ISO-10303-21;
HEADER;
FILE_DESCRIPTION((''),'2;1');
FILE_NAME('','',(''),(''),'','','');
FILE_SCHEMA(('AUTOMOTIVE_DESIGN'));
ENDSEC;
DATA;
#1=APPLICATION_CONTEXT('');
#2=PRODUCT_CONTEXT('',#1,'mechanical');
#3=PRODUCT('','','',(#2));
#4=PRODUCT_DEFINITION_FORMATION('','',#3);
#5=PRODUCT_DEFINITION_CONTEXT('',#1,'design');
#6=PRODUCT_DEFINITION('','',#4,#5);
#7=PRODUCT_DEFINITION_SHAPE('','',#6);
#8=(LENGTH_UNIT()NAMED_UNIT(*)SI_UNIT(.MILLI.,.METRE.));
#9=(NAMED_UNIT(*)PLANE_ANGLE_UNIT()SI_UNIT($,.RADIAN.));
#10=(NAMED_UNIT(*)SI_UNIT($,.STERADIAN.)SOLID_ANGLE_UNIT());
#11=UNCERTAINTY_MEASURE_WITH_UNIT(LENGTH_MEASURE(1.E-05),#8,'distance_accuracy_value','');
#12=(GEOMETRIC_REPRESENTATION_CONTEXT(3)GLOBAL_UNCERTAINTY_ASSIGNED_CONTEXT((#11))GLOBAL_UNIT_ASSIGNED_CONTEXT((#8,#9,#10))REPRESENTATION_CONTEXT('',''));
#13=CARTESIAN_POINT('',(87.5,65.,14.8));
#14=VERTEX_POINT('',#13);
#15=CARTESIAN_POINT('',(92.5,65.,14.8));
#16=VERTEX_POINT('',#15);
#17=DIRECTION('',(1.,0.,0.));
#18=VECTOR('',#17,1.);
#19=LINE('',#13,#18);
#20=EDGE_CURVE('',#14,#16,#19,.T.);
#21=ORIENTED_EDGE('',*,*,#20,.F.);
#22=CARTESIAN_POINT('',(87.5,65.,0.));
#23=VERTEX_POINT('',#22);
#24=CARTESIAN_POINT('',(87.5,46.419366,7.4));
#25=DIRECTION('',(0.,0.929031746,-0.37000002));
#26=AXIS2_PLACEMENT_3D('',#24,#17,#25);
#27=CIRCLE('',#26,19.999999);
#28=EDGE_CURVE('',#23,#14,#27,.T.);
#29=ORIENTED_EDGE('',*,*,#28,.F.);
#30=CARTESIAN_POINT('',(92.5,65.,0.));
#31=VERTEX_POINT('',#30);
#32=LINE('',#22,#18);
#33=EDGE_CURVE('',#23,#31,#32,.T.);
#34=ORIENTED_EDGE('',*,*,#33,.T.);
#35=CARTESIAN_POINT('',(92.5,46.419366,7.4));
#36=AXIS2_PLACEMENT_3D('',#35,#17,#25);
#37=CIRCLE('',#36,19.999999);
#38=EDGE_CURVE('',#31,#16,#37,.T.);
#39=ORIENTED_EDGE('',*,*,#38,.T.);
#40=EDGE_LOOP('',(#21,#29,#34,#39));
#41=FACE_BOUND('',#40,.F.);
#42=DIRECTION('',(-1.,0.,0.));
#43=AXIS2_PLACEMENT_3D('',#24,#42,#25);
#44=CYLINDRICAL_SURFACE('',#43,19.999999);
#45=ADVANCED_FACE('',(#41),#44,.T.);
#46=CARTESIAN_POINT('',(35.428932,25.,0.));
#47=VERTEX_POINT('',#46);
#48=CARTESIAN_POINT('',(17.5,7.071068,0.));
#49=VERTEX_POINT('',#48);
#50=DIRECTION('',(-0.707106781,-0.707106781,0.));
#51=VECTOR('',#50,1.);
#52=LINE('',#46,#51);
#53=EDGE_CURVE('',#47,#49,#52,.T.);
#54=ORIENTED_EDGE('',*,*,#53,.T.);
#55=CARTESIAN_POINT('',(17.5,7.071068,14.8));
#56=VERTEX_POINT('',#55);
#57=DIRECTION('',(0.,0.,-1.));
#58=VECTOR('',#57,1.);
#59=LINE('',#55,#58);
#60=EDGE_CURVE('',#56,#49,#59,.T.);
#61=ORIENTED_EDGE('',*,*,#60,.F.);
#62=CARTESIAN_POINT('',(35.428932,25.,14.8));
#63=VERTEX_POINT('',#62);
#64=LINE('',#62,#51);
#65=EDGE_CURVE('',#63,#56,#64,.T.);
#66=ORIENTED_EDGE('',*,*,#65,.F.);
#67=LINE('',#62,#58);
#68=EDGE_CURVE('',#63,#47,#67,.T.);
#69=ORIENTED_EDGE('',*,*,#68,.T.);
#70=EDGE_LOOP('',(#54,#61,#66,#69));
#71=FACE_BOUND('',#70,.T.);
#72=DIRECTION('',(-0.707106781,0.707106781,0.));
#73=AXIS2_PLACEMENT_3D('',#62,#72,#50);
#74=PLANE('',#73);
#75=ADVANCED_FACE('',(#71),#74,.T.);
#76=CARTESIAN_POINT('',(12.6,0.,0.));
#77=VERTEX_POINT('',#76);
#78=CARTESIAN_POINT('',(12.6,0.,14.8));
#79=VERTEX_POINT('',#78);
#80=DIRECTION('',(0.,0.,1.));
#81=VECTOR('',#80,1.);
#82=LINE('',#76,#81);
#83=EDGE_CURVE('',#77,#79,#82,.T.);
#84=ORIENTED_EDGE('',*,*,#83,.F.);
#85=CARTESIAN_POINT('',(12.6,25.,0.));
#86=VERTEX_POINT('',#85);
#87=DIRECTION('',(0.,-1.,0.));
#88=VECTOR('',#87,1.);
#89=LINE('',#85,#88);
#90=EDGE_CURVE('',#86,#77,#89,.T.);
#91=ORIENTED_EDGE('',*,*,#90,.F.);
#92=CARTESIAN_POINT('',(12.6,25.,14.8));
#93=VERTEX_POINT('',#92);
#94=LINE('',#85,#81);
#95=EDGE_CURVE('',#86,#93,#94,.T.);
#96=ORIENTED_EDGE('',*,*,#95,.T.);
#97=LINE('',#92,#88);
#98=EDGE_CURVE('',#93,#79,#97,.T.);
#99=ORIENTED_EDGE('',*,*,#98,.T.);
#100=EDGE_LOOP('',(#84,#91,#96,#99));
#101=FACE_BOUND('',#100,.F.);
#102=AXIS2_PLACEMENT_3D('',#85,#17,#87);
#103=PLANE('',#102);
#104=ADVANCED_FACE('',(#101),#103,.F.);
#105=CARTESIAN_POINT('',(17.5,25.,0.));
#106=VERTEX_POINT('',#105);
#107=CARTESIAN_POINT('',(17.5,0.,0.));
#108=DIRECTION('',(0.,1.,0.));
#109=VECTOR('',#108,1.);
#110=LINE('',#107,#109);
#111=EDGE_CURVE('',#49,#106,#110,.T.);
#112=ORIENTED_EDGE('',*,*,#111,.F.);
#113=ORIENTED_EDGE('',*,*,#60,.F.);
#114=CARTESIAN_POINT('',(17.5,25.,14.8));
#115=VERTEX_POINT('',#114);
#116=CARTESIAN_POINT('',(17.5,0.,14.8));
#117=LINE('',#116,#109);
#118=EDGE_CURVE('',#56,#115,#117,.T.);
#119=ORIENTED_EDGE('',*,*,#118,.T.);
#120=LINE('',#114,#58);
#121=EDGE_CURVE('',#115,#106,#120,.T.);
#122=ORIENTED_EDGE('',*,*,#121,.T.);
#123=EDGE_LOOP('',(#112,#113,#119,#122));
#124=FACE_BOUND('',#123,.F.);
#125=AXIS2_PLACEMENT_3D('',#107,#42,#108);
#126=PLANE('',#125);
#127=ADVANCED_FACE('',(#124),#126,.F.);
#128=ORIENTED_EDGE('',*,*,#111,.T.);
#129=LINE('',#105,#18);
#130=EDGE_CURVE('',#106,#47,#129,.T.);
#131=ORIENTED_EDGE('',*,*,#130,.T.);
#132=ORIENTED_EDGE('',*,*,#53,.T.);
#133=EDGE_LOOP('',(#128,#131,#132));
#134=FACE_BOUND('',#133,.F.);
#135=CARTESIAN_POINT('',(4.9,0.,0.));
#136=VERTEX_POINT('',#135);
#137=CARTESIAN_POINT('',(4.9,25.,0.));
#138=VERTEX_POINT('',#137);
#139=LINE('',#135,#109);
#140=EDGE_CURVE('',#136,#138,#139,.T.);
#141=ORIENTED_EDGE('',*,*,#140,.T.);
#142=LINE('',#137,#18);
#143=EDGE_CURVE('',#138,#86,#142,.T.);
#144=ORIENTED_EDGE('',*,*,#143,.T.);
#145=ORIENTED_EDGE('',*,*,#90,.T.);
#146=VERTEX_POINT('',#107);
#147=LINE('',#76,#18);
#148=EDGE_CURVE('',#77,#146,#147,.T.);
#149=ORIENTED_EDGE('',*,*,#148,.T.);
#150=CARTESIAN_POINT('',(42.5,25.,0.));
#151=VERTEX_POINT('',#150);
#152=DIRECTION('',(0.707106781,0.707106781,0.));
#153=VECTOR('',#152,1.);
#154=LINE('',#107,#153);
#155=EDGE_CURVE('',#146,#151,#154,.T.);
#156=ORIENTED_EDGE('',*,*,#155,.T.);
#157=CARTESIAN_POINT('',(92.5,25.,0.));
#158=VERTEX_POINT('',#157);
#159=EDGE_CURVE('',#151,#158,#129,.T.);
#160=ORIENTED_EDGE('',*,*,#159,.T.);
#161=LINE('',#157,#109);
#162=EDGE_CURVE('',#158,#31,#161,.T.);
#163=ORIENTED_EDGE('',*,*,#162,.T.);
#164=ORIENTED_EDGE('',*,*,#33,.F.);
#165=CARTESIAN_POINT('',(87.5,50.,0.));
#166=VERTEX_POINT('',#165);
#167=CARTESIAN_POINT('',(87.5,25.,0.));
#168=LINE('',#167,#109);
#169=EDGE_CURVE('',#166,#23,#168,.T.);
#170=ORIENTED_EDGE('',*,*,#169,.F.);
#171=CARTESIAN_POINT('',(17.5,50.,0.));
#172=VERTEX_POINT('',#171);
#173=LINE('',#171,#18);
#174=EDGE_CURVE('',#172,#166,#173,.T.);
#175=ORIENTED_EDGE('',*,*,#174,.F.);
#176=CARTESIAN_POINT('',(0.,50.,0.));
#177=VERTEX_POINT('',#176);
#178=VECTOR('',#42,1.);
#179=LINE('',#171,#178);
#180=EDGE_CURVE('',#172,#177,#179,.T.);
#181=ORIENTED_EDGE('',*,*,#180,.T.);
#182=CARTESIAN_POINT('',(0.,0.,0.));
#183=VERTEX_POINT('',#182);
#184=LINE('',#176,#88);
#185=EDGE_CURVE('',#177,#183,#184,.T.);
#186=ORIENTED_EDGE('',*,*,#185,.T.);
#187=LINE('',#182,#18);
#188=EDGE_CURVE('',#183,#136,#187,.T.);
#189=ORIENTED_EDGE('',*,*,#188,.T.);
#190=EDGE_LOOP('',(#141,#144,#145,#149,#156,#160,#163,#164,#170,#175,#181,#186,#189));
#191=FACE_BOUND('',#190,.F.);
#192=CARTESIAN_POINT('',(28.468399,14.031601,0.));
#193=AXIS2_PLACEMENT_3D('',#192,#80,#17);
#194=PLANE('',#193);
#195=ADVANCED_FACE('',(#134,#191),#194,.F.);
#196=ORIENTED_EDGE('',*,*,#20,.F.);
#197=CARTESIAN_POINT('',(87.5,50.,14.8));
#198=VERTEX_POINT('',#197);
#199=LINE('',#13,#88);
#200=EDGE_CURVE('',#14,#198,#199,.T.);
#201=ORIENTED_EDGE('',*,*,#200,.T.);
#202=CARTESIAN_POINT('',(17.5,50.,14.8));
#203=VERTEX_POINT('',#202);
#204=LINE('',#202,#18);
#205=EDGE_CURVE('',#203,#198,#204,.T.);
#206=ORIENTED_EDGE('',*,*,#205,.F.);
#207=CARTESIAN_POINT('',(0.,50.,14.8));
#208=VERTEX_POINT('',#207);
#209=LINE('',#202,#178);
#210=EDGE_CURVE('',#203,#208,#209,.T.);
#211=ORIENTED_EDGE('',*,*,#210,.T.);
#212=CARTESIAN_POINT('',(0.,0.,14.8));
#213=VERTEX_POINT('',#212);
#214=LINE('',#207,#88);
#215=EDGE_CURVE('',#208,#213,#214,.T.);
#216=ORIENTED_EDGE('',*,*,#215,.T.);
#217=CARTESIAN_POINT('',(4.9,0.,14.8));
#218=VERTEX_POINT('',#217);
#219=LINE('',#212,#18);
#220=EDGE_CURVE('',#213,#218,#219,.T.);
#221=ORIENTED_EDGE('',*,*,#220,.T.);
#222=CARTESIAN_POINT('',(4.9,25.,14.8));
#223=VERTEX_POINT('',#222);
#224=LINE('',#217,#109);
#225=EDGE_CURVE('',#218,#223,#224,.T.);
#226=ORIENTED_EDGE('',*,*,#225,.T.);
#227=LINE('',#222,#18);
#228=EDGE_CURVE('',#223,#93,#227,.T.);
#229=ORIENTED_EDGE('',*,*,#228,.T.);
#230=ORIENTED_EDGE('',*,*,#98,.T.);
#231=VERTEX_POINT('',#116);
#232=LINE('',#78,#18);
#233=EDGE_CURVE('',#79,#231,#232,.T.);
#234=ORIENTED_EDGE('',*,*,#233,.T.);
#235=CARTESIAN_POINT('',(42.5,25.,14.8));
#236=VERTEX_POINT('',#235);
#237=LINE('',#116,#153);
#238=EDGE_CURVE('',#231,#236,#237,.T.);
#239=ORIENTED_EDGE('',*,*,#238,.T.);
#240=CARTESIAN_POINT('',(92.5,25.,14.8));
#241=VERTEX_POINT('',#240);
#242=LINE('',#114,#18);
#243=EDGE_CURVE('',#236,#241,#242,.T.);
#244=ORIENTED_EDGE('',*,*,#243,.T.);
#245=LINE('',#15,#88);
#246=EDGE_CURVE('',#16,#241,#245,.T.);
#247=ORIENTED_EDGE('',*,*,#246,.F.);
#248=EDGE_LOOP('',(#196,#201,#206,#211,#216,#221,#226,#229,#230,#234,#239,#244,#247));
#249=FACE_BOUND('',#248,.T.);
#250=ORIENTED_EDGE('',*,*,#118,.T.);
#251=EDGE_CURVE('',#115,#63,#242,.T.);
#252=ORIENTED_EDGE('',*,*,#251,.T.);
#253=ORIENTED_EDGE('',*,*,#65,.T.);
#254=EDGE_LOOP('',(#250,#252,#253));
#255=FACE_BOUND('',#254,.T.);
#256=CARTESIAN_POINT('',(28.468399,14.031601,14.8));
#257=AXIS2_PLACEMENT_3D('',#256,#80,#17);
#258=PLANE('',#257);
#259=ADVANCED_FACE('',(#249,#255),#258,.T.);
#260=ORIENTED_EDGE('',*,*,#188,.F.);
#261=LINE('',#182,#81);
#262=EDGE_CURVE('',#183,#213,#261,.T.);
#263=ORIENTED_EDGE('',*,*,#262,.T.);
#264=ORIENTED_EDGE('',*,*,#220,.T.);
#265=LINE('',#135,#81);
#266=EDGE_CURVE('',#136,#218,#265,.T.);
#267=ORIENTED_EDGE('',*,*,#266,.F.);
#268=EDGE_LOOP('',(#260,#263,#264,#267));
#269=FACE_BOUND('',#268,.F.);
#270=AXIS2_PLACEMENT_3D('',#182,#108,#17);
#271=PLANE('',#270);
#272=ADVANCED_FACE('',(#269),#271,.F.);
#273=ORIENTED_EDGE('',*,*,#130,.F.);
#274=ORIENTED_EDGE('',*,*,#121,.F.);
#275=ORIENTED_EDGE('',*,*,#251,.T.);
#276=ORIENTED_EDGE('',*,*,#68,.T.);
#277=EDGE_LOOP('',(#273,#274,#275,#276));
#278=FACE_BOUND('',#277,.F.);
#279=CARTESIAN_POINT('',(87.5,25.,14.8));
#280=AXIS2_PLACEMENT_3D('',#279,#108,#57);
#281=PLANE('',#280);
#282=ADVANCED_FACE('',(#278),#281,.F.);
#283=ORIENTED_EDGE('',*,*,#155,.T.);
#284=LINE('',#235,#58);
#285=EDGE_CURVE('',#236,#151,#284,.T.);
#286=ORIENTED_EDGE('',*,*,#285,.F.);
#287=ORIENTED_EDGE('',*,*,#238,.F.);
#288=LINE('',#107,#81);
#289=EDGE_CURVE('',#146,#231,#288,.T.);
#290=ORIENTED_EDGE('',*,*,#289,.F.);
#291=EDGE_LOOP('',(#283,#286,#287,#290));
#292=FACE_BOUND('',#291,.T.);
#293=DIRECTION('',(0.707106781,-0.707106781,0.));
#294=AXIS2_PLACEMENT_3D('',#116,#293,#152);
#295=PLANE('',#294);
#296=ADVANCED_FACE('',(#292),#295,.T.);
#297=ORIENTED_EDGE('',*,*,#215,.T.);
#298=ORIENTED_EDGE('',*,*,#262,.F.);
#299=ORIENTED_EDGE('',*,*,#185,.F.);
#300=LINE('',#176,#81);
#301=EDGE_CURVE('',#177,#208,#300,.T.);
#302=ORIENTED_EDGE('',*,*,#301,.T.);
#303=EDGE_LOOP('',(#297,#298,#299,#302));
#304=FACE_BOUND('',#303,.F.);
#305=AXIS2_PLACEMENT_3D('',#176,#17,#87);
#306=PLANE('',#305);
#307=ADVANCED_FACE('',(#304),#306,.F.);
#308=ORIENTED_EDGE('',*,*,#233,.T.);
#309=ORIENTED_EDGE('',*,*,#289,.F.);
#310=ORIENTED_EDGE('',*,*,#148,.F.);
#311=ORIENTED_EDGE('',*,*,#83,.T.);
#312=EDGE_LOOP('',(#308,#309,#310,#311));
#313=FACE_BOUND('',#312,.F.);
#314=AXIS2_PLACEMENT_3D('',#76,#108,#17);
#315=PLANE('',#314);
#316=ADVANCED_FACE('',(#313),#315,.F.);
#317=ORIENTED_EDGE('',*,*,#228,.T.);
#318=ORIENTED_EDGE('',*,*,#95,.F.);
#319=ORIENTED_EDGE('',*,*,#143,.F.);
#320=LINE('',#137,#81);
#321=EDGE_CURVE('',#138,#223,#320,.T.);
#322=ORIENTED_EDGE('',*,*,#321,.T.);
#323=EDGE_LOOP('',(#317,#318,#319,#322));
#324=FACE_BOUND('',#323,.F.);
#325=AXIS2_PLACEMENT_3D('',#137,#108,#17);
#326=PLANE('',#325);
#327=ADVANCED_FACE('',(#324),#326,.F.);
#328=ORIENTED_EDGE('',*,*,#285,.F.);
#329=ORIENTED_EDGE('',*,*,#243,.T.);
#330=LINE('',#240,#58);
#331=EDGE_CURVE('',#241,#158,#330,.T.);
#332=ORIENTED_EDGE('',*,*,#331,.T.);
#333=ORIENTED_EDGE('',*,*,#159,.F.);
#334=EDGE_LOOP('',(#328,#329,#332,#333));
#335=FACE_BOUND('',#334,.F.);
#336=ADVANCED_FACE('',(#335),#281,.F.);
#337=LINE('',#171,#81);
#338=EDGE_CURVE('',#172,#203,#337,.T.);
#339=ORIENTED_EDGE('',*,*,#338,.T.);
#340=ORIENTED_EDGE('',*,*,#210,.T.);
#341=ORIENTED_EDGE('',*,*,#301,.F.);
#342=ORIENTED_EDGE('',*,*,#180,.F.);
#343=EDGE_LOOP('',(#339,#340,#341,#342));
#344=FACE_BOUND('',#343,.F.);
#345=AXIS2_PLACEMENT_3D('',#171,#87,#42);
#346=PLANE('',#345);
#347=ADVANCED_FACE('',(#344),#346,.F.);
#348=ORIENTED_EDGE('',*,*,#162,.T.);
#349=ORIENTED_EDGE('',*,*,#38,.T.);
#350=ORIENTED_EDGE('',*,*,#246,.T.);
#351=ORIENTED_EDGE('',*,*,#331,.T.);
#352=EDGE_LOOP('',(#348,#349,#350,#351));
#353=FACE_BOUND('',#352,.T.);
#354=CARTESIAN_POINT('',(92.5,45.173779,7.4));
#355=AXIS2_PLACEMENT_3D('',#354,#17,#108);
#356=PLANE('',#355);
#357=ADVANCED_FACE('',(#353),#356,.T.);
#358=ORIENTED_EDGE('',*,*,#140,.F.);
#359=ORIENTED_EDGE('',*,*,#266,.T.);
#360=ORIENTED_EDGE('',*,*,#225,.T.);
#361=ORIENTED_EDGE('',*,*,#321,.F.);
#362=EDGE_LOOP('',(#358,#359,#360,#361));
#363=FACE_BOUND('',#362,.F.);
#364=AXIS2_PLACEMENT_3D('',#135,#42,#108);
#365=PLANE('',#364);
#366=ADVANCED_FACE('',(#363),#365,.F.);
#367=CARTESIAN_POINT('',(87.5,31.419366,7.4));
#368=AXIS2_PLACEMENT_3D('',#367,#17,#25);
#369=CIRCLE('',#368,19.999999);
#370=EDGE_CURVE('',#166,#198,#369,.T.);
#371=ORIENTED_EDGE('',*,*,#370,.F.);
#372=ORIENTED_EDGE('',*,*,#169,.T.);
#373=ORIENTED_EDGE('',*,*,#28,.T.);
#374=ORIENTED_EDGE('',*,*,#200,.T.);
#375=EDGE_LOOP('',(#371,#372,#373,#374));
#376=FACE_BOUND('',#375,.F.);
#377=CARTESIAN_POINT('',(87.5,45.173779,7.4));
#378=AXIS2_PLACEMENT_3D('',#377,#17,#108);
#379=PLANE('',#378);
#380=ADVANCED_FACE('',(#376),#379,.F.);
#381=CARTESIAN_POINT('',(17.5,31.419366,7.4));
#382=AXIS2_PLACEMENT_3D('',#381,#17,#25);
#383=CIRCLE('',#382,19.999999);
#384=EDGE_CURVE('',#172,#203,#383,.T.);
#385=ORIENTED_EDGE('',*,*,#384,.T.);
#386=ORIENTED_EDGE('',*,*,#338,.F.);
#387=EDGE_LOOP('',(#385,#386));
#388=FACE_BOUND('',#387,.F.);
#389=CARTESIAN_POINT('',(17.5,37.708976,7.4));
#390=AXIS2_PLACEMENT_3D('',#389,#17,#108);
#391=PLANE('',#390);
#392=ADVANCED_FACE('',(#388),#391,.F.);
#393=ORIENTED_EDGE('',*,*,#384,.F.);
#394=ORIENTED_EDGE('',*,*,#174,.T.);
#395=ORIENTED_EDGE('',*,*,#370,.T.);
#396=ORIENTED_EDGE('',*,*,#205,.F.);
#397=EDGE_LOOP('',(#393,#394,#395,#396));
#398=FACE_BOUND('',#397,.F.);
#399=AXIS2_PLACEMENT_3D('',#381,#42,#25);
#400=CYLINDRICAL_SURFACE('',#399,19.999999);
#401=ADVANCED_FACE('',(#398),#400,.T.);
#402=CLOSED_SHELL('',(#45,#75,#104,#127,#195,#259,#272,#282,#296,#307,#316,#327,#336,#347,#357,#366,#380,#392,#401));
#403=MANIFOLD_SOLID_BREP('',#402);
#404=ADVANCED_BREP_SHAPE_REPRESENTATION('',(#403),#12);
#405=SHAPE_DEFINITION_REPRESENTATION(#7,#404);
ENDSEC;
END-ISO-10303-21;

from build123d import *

# Parameters (mm, degrees)
F1_DEPTH = 14.8
F3_DEPTH = 70
F5_DEPTH = 5
F7_DEPTH = 14.8


with BuildPart() as f1:
    # F0 (on Top) → F1 (new body)
    with BuildSketch(Plane.XY):
        Polygon((0, 50), (0, 0), (4.9, 0), (4.9, 25), (12.6, 25), (12.6, 0), (17.5, 0), (17.5, 50), align=None)
    extrude(amount=F1_DEPTH)

    # F2 (on face) → F3 (join)
    with BuildSketch(Plane.YZ.offset(17.5)):
        with BuildLine():
            ThreePointArc((50, 0), (51.419365, 7.4), (50, 14.8))
            Line((50, 14.8), (25, 14.8))
            Line((25, 14.8), (25, 0))
            Line((25, 0), (50, 0))
        make_face()
    extrude(amount=F3_DEPTH)

    # F4 (on face) → F5 (join)
    with BuildSketch(Plane.YZ.offset(87.5)):
        with BuildLine():
            Line((65, 14.8), (25, 14.8))
            Line((25, 14.8), (25, 0))
            Line((25, 0), (65, 0))
            ThreePointArc((65, 0), (66.419365, 7.4), (65, 14.8))
        make_face()
    extrude(amount=F5_DEPTH)

    # F6 (on face) → F7 (join, through all)
    with BuildSketch(Plane.XY.offset(14.8)):
        Polygon((17.5, 7.071068), (17.5, 0), (42.5, 25), (35.428932, 25), align=None)
    extrude(amount=-F7_DEPTH)


solid = f1.part
